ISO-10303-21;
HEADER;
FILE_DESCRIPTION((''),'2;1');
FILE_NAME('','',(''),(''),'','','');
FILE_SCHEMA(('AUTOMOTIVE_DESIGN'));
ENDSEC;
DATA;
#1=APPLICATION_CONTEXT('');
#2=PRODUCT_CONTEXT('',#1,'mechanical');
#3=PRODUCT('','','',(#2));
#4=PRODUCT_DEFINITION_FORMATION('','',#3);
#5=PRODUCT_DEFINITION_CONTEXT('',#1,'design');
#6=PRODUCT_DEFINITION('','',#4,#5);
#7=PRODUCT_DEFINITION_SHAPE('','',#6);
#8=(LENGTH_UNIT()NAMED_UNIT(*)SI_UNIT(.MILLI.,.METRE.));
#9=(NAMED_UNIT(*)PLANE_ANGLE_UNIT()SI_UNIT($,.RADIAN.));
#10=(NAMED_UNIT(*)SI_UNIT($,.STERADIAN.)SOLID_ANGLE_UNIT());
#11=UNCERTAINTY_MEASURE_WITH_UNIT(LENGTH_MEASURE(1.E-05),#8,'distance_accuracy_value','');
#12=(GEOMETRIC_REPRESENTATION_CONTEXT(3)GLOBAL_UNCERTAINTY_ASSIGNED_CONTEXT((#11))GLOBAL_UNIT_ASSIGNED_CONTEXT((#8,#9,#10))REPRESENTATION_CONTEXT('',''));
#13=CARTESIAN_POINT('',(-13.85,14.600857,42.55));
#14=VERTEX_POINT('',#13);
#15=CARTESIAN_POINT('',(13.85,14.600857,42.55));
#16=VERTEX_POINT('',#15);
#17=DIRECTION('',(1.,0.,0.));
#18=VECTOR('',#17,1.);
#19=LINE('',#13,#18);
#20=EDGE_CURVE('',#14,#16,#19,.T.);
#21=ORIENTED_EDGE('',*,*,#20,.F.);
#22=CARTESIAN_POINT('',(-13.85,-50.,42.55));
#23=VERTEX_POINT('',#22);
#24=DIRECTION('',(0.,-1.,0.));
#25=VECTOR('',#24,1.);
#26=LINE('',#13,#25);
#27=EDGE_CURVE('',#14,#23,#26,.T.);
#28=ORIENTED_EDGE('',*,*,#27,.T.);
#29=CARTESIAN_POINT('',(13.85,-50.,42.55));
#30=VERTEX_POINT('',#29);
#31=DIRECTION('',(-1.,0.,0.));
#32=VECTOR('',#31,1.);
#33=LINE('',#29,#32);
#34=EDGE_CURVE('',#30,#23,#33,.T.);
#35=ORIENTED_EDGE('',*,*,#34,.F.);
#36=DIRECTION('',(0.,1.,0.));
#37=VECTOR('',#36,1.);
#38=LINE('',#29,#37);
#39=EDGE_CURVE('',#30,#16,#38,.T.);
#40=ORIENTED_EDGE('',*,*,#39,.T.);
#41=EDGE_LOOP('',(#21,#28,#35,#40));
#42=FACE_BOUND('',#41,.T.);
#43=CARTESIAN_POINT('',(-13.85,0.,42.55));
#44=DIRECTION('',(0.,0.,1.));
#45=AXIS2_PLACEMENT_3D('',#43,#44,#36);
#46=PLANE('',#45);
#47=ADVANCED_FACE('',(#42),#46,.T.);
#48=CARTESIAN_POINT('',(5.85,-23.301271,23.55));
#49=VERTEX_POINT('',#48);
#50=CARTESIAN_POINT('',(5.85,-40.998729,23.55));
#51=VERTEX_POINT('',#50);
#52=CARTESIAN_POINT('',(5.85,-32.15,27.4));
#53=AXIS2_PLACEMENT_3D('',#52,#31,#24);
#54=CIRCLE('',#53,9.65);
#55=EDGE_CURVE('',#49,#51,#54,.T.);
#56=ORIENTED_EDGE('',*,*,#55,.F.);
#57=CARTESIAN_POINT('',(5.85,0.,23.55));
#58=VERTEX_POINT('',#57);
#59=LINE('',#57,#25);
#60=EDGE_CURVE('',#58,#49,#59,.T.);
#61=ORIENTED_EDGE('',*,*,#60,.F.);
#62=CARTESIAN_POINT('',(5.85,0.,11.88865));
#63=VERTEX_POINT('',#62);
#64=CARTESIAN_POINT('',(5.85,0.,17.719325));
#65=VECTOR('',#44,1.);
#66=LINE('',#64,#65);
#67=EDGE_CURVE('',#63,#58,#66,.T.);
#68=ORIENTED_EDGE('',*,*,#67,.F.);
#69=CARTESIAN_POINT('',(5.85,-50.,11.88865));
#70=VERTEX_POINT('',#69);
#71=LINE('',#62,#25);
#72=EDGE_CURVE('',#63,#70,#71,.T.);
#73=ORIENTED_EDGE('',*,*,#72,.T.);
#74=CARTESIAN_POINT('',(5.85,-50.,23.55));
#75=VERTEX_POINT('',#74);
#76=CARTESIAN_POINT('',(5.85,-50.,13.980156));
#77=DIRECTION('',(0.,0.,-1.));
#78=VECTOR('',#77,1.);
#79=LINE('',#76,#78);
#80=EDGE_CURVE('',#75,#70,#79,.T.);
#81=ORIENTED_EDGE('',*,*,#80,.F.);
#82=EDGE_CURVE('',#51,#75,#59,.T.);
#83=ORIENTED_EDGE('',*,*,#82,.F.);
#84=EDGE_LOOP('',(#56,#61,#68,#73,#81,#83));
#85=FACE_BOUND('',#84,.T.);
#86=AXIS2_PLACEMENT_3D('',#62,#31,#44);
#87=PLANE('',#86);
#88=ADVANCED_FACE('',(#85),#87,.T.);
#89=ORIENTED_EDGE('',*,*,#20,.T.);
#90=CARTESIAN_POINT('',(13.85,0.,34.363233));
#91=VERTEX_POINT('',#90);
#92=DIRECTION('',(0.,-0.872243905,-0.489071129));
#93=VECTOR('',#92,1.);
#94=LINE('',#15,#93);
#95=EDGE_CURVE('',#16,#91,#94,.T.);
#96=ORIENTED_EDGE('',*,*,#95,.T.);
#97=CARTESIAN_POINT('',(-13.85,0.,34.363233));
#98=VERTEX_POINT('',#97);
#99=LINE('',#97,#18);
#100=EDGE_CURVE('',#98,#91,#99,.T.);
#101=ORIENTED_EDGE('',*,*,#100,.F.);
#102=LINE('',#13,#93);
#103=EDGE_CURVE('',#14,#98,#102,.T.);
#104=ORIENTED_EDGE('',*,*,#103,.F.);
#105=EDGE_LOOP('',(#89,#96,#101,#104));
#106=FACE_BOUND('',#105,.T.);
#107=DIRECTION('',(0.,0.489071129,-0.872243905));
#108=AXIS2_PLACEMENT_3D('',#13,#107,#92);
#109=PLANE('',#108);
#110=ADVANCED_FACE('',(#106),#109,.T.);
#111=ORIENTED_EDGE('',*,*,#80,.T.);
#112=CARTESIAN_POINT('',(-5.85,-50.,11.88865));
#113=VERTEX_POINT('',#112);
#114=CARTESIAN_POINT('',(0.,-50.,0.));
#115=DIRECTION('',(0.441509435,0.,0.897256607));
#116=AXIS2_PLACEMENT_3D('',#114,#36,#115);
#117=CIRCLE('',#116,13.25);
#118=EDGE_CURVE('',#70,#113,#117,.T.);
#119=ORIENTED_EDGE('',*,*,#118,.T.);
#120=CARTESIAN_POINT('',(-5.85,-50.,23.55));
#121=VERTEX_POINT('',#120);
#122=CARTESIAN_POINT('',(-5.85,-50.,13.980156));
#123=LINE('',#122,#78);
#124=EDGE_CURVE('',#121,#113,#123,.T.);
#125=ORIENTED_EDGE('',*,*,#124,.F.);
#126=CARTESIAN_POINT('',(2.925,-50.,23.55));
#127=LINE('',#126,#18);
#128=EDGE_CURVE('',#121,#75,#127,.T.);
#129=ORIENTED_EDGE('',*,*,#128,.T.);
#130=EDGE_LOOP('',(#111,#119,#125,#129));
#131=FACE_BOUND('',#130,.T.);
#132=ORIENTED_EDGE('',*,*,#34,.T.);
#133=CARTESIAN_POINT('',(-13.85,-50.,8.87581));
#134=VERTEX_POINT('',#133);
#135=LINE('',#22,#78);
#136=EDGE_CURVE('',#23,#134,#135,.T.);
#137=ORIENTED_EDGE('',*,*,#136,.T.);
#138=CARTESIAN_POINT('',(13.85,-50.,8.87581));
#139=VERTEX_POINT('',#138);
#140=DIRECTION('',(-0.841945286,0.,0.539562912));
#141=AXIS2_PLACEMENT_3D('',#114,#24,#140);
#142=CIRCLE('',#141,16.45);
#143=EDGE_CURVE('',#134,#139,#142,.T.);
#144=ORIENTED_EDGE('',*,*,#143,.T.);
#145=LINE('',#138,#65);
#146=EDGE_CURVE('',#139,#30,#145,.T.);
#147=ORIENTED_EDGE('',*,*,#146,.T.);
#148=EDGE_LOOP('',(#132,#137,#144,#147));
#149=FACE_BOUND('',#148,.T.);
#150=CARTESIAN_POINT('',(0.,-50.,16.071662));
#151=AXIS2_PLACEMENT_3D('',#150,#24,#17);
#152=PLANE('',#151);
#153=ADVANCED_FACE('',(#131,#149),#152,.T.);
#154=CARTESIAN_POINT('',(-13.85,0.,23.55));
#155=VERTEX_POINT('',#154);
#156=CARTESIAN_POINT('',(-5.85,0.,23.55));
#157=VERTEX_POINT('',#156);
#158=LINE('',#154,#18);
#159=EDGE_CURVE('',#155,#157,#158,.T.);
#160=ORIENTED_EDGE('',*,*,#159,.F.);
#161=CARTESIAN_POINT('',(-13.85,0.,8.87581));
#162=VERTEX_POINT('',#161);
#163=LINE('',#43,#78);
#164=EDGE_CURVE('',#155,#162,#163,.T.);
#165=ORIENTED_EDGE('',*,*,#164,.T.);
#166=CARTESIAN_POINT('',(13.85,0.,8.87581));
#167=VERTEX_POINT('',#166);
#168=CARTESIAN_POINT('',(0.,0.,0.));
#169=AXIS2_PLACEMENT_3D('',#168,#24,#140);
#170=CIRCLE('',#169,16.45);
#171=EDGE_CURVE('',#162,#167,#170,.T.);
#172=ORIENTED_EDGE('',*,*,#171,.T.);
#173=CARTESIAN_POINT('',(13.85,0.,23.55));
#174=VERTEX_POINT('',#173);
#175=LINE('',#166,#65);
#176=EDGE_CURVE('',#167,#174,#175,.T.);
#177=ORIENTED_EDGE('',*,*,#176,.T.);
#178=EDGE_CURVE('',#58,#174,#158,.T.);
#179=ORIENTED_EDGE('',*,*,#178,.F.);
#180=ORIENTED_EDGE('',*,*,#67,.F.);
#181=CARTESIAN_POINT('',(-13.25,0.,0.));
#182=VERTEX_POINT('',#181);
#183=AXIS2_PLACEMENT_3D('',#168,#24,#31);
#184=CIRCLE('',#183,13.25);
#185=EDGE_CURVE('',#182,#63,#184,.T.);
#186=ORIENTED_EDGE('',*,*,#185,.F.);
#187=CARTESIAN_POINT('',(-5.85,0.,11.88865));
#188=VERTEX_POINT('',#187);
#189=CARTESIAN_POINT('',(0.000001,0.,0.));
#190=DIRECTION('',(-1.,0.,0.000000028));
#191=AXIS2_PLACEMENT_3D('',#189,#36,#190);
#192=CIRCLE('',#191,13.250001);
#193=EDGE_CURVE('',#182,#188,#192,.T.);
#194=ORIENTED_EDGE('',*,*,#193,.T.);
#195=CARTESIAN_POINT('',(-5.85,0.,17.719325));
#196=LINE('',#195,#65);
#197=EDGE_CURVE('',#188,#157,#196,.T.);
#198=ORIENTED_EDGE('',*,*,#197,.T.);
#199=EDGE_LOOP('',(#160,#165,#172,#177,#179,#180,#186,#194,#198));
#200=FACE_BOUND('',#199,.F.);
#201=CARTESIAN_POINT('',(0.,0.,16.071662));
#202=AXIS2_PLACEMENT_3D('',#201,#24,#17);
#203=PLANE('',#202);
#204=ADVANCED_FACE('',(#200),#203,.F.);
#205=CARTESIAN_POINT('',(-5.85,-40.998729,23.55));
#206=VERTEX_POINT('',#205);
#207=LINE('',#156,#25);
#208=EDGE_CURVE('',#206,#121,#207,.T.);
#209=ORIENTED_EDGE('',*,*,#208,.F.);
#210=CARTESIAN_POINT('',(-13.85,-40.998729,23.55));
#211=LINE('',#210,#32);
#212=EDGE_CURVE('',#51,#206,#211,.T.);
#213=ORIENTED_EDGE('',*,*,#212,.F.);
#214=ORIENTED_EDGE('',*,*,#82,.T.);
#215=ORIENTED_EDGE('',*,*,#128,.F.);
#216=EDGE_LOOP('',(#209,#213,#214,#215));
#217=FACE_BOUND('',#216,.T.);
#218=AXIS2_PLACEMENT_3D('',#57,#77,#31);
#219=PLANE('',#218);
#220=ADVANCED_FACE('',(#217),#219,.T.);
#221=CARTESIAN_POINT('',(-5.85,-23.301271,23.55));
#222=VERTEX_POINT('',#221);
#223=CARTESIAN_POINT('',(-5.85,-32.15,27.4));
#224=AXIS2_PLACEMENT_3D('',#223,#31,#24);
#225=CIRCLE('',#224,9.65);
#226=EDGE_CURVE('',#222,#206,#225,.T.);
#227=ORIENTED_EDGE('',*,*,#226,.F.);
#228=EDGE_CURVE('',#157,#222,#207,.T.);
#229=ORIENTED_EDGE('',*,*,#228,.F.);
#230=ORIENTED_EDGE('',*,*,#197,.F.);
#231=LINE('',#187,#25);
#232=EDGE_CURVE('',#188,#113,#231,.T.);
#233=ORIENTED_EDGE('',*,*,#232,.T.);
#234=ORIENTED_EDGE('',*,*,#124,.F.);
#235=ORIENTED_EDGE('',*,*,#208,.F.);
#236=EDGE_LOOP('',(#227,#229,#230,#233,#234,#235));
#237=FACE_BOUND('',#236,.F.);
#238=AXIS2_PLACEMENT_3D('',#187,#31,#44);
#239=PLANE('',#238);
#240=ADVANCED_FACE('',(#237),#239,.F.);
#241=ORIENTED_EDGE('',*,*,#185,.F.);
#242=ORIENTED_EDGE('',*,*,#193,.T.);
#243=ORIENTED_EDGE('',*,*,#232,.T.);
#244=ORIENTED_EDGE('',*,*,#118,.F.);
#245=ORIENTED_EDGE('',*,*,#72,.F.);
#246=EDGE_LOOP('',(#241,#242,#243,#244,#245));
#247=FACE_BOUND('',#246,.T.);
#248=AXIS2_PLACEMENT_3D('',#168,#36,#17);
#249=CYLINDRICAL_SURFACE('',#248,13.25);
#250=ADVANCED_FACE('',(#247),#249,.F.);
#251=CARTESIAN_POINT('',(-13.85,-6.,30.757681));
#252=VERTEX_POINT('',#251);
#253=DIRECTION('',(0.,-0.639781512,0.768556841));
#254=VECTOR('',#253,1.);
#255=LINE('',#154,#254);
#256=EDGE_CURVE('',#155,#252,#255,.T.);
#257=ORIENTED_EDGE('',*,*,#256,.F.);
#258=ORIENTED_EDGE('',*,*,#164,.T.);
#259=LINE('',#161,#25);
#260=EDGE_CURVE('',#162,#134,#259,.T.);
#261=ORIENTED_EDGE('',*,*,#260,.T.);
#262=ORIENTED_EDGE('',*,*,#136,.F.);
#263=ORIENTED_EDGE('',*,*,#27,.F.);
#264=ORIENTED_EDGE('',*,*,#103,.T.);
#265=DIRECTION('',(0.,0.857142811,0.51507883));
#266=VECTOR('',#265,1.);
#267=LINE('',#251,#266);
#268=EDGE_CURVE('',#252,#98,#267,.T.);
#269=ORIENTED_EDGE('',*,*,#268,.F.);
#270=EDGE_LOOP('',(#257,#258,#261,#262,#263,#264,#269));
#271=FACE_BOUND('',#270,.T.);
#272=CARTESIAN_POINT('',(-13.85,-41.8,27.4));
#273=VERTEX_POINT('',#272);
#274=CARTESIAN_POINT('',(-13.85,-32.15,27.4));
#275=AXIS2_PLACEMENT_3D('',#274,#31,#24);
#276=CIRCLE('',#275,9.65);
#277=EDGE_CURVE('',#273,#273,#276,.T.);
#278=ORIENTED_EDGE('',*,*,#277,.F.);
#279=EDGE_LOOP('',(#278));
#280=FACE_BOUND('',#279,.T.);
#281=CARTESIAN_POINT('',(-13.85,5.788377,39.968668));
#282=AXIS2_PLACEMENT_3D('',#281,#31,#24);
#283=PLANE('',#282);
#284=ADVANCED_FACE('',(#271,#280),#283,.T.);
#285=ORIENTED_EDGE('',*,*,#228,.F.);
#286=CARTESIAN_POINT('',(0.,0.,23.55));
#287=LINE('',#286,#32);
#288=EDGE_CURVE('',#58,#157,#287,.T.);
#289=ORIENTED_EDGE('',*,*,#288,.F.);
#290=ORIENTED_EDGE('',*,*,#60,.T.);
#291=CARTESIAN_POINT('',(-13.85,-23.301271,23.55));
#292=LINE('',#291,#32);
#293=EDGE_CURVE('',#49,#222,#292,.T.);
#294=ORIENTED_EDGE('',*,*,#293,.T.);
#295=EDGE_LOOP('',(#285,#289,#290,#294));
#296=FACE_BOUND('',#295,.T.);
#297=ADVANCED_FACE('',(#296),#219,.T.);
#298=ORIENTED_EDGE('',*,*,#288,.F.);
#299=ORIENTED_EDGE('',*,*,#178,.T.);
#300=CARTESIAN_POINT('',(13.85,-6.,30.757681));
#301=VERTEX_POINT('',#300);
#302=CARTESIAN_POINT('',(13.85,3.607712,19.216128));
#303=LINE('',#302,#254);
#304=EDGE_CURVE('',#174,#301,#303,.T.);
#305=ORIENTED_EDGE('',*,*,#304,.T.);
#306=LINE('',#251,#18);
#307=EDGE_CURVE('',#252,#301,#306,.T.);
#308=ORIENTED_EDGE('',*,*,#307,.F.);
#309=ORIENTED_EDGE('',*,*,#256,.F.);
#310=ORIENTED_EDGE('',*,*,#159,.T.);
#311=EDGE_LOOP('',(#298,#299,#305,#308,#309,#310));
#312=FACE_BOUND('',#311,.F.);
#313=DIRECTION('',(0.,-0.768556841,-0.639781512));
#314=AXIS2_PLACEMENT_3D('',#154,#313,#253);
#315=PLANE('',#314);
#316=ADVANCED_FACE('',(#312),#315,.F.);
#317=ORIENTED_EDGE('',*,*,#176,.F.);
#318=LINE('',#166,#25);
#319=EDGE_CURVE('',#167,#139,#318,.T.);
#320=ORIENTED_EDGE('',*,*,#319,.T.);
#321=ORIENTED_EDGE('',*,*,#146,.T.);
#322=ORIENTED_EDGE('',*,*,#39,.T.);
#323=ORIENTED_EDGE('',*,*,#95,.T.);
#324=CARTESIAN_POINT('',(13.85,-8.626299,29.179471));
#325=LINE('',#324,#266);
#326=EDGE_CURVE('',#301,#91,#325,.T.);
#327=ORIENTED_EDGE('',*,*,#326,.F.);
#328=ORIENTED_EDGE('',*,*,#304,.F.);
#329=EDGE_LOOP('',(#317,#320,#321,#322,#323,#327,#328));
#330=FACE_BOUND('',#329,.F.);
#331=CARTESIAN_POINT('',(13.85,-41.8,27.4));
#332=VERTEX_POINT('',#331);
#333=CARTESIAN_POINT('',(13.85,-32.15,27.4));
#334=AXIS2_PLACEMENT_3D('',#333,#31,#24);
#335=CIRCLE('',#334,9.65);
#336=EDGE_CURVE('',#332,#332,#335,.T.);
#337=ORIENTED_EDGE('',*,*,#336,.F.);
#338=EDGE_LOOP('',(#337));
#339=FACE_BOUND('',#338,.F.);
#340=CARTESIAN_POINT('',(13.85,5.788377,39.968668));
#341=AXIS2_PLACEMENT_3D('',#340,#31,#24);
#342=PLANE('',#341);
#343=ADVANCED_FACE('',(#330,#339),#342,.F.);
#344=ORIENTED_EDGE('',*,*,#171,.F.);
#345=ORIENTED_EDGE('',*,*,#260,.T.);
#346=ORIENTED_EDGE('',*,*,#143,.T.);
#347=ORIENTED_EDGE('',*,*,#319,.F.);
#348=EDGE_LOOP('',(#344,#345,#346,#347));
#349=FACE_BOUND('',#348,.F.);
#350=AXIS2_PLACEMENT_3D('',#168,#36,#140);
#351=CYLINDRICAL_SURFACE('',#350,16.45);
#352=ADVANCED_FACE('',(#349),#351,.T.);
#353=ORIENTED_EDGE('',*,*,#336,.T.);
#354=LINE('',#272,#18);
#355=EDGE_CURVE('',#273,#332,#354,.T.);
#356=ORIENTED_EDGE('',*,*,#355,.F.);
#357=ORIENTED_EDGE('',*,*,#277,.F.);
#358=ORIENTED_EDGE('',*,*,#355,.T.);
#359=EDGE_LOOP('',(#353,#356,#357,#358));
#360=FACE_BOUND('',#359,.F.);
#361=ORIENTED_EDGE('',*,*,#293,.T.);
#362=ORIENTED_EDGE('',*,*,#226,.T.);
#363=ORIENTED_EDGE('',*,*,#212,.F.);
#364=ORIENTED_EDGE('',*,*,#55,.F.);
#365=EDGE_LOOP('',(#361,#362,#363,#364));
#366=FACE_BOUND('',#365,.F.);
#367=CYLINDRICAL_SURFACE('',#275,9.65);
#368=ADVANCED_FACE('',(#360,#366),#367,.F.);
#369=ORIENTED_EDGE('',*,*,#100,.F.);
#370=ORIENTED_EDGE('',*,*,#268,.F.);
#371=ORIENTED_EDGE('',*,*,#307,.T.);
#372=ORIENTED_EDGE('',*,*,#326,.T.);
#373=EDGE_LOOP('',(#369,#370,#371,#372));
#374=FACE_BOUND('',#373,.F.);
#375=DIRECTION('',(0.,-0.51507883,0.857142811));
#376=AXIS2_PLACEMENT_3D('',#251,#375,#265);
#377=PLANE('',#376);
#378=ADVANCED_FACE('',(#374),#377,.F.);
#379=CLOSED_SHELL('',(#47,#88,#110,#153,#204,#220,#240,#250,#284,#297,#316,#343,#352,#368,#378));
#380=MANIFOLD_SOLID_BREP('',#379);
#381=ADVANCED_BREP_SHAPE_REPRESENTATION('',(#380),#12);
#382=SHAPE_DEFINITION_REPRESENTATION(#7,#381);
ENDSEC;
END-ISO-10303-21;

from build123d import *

# Parameters (mm, degrees)
F0_R     = 13.25
F1_DEPTH = 50
F2_R     = 9.65
F3_DEPTH = 30.301
F5_DEPTH = 30.301
F7_DEPTH = 27.7
F8_W     = 11.7
F8_H     = 11.66135
F9_DEPTH = 50.001


with BuildPart() as f1:
    # F0 (on Front) → F1 (new body)
    with BuildSketch(Plane.XZ):
        with BuildLine():
            Line((-13.85, 42.55), (-13.85, 8.87581))
            ThreePointArc((-13.85, 8.87581), (0, -16.45), (13.85, 8.87581))
            Line((13.85, 8.87581), (13.85, 42.55))
            Line((13.85, 42.55), (-13.85, 42.55))
        make_face()
        Circle(F0_R, mode=Mode.SUBTRACT)
    extrude(amount=F1_DEPTH)

    # F2 (on face) → F3 (cut, through all)
    with BuildSketch(Plane(origin=(-13.85, 0, 0), x_dir=(0, -1, 0), z_dir=(-1, 0, 0))):
        with Locations((32.15, 27.4)):
            Circle(F2_R)
    extrude(amount=-F3_DEPTH, mode=Mode.SUBTRACT)

    # F4 (on face) → F5 (cut, through all)
    with BuildSketch(Plane(origin=(-13.85, 0, 0), x_dir=(0, -1, 0), z_dir=(-1, 0, 0))):
        Polygon((0, 23.55), (6, 30.757681), (0, 34.363233), align=None)
    extrude(amount=-F5_DEPTH, mode=Mode.SUBTRACT)

    # F6 (on face) → F7 (join)
    with BuildSketch(Plane(origin=(-13.85, 0, 0), x_dir=(0, -1, 0), z_dir=(-1, 0, 0))):
        Polygon((-14.600857, 42.55), (0, 34.363233), (0, 42.55), align=None)
    extrude(amount=-F7_DEPTH)

    # F8 (on face) → F9 (cut, through all)
    with BuildSketch(Plane(origin=(0, 0, 0), x_dir=(-1, 0, 0), z_dir=(0, 1, 0))):
        with Locations((0, 17.719325)):
            Rectangle(F8_W, F8_H)
        with BuildLine():
            ThreePointArc((13.25, 0), (11.248889, 7.001785), (5.85, 11.88865))
            Line((5.85, 11.88865), (-5.85, 11.88865))
            ThreePointArc((-5.85, 11.88865), (-7.001785, -11.248889), (13.25, 0))
        make_face()
    extrude(amount=-F9_DEPTH, mode=Mode.SUBTRACT)


solid = f1.part
